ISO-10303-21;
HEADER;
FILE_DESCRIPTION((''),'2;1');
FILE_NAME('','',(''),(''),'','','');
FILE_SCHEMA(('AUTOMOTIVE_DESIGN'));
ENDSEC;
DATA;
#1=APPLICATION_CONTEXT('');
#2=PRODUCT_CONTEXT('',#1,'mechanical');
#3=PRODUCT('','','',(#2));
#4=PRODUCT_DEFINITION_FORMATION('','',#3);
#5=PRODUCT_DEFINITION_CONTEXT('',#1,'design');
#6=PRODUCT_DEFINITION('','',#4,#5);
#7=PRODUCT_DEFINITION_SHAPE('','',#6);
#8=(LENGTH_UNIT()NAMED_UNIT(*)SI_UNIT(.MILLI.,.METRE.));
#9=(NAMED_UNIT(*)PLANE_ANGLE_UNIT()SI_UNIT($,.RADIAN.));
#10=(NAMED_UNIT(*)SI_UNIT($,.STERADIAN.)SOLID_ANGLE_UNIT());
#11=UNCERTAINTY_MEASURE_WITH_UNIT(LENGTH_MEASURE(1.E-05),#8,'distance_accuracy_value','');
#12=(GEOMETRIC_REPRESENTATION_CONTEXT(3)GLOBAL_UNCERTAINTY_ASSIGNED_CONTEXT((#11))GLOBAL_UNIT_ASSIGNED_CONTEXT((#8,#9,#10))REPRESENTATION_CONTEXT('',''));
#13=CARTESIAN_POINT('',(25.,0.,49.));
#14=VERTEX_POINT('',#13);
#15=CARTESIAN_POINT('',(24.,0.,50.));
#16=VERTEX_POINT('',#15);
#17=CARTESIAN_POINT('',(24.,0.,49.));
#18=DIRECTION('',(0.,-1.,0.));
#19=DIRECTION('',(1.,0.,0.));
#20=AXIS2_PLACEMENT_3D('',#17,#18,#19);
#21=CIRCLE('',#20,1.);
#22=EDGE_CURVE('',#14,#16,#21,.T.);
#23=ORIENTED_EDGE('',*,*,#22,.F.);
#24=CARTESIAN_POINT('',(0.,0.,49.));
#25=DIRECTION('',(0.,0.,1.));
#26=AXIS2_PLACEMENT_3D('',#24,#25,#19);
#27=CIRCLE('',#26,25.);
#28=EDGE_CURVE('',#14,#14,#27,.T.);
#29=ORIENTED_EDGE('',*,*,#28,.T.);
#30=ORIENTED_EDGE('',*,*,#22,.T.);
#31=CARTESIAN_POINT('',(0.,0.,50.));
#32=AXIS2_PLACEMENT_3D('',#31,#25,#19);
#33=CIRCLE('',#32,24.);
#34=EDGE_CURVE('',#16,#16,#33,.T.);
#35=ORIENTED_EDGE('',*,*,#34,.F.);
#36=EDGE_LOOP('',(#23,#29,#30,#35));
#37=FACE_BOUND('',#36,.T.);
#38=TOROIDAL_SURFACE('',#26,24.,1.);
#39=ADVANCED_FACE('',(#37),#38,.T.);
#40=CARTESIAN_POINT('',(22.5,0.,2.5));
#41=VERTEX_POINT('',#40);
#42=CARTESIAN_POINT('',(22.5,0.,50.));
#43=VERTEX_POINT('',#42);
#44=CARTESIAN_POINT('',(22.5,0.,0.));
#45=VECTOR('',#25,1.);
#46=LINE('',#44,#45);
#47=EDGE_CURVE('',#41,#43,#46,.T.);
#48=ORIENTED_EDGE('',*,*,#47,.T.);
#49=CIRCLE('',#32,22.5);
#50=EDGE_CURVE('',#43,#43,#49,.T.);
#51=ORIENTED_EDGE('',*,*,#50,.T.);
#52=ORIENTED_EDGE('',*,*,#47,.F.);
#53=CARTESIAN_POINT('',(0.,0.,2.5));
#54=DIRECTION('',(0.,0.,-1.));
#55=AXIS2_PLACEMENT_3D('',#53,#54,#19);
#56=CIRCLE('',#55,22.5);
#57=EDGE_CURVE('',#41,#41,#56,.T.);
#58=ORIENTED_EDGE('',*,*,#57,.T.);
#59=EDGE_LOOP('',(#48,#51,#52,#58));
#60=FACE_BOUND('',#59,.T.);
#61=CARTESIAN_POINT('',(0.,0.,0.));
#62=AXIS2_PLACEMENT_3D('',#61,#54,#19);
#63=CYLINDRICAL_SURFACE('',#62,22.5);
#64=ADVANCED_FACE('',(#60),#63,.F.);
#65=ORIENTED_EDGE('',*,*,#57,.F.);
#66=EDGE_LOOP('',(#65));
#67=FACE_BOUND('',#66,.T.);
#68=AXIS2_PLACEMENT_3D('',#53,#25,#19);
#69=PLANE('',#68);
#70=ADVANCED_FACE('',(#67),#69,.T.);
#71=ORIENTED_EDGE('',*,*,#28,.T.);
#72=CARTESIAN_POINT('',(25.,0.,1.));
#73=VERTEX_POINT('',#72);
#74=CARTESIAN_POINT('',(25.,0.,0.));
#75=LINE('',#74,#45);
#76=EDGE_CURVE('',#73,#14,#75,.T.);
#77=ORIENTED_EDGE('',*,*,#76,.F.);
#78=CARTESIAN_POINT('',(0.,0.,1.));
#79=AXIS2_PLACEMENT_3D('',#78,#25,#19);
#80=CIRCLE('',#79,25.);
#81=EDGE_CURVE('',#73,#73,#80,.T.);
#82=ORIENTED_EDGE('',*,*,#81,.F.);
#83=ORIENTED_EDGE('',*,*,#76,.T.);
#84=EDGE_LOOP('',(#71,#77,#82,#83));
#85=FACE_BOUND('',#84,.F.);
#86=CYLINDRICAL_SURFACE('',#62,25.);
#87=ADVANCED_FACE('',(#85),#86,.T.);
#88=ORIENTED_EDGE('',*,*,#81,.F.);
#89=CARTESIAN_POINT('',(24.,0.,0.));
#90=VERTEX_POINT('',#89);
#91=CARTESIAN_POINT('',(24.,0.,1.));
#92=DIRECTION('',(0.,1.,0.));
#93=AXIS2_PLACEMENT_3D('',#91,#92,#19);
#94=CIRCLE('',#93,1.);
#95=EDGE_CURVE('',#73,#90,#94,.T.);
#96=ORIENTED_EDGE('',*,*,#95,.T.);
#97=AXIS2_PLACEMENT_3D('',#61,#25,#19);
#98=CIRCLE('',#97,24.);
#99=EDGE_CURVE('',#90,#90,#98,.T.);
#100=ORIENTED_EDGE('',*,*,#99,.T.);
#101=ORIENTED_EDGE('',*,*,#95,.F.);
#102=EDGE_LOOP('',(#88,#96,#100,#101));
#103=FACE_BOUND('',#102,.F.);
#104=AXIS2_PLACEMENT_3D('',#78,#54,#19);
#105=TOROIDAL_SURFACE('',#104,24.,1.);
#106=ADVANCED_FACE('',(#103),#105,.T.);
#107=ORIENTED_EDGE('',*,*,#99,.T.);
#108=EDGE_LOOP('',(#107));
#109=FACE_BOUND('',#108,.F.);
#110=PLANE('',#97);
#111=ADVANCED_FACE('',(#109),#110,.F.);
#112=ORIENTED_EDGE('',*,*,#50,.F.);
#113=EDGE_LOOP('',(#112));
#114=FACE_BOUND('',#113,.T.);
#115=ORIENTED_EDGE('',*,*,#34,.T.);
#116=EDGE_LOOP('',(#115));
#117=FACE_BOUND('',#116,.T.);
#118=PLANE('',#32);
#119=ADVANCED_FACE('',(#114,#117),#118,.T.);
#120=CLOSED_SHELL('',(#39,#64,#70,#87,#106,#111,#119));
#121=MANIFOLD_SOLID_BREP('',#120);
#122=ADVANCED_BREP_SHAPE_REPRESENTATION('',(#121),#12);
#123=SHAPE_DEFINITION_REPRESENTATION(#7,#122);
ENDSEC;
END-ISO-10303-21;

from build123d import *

# Parameters (mm, degrees)
F0_R     = 25
F1_DEPTH = 50
F2_T     = -2.5
F3_R     = 1


with BuildPart() as f1:
    # F0 (on Top) → F1 (new body)
    with BuildSketch(Plane.XY):
        Circle(F0_R)
    extrude(amount=F1_DEPTH)

    # F2
    f2_openings = [f1.faces().sort_by_distance(p)[0] for p in [
        (0, 0, 50),
    ]]
    offset(amount=F2_T, openings=f2_openings)

    # F3
    f3_edges = [f1.edges().sort_by_distance(p)[0] for p in [
        (25, 0, 25),
        (-25, 0, 0),
        (-25, 0, 50),
    ]]
    fillet(f3_edges, radius=F3_R)


solid = f1.part
